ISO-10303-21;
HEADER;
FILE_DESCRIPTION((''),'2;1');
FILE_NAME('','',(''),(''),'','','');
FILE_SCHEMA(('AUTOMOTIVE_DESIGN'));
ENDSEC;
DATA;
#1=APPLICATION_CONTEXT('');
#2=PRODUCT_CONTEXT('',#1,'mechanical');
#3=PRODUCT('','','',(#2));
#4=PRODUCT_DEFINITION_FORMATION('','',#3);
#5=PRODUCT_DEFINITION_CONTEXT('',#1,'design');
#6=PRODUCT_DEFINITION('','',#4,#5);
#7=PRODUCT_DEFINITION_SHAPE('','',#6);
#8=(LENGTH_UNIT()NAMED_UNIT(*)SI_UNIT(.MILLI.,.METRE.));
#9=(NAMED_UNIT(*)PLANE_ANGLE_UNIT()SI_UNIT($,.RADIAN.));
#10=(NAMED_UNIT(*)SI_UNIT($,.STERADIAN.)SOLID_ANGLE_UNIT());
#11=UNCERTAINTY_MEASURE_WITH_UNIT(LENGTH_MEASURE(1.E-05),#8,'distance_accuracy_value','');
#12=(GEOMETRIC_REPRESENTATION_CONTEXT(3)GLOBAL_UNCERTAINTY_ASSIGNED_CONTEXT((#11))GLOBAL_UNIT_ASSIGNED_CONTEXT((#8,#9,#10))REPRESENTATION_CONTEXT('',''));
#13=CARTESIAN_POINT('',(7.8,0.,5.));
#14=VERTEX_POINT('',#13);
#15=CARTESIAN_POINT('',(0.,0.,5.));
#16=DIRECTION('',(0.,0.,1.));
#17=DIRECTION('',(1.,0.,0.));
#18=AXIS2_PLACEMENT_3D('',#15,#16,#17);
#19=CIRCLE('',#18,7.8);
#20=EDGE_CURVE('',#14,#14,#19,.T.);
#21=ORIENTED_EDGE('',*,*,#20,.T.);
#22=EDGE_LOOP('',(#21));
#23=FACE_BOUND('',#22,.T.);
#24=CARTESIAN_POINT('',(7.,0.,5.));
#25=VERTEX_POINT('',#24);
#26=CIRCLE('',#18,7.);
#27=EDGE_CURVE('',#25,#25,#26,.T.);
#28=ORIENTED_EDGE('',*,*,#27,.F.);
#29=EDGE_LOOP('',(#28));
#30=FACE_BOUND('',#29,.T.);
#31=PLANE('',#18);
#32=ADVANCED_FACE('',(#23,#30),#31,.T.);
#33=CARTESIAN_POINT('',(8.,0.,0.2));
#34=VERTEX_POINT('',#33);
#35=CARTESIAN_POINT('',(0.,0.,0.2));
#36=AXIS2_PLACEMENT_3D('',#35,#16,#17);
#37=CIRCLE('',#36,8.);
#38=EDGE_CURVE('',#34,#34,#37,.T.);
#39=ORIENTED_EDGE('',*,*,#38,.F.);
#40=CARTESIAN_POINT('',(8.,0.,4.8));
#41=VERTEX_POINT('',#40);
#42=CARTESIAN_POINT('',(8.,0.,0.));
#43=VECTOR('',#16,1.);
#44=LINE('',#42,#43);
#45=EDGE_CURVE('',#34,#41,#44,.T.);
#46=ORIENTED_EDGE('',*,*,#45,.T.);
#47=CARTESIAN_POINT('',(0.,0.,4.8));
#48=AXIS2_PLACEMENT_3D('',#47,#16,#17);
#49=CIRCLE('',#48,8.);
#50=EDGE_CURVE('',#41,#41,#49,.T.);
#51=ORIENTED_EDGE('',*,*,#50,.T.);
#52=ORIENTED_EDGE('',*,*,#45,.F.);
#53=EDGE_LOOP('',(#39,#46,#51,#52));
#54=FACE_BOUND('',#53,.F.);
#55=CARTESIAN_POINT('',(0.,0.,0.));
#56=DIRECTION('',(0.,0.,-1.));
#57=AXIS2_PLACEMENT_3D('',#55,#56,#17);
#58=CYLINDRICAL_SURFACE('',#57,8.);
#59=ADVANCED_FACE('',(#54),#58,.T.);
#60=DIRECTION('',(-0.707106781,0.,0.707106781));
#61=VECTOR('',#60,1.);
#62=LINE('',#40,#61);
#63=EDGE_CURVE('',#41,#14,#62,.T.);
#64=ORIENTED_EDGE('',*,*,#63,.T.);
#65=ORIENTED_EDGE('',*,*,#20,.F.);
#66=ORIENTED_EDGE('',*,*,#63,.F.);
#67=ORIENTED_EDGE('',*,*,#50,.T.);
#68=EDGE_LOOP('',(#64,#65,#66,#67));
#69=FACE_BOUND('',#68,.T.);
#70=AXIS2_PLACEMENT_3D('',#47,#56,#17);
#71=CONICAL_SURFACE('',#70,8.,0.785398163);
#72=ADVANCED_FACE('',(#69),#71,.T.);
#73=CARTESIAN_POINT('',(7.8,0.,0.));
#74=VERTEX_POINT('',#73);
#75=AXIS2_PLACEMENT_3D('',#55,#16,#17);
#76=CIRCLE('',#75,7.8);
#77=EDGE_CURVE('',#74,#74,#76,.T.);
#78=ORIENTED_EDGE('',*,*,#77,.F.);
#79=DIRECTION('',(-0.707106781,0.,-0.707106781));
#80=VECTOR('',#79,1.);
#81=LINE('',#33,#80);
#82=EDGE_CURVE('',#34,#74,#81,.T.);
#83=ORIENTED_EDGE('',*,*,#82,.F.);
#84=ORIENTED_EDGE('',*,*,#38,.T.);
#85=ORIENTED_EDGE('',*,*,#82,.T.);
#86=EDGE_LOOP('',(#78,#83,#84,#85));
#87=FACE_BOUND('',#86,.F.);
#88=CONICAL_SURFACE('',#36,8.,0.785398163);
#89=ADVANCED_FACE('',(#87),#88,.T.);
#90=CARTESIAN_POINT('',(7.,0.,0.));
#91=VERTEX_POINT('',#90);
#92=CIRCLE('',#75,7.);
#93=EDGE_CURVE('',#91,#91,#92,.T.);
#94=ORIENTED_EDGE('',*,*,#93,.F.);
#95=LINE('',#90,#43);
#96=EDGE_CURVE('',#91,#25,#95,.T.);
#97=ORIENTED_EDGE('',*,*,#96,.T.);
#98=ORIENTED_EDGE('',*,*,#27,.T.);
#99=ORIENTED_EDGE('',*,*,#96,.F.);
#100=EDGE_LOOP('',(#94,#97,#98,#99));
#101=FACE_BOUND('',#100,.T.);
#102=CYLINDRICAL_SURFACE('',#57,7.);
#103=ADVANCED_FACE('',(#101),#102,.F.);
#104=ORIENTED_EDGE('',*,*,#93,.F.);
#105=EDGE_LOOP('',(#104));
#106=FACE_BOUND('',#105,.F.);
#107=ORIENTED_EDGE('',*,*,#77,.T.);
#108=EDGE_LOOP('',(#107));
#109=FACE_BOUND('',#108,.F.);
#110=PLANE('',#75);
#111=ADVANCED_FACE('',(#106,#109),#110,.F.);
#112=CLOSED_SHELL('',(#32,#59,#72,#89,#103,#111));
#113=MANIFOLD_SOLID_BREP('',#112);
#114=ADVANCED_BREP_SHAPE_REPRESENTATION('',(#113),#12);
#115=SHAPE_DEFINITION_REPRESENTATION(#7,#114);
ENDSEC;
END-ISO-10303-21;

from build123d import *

# Parameters (mm, degrees)
CYLINDER002_R     = 7
CYLINDER002_DEPTH = 5
CYLINDER_R        = 8
CYLINDER_DEPTH    = 5
CHAMFER004_SIZE   = 0.2


with BuildPart() as cilindro:
    # Cylinder002 → Cylinder002 (new body)
    with BuildSketch(Plane.XY):
        Circle(CYLINDER002_R)
    extrude(amount=CYLINDER002_DEPTH)


with BuildPart() as exterior001:
    # Cylinder → Cylinder (new body)
    with BuildSketch(Plane.XY):
        Circle(CYLINDER_R)
    extrude(amount=CYLINDER_DEPTH)

    # Cut: cut Cilindro
    add(cilindro.part, mode=Mode.SUBTRACT)

    # Chamfer004
    chamfer004_edges = [exterior001.edges().sort_by_distance(p)[0] for p in [
        (-8, 0, 5),
        (-8, 0, 0),
    ]]
    chamfer(chamfer004_edges, length=CHAMFER004_SIZE)


solid = exterior001.part
